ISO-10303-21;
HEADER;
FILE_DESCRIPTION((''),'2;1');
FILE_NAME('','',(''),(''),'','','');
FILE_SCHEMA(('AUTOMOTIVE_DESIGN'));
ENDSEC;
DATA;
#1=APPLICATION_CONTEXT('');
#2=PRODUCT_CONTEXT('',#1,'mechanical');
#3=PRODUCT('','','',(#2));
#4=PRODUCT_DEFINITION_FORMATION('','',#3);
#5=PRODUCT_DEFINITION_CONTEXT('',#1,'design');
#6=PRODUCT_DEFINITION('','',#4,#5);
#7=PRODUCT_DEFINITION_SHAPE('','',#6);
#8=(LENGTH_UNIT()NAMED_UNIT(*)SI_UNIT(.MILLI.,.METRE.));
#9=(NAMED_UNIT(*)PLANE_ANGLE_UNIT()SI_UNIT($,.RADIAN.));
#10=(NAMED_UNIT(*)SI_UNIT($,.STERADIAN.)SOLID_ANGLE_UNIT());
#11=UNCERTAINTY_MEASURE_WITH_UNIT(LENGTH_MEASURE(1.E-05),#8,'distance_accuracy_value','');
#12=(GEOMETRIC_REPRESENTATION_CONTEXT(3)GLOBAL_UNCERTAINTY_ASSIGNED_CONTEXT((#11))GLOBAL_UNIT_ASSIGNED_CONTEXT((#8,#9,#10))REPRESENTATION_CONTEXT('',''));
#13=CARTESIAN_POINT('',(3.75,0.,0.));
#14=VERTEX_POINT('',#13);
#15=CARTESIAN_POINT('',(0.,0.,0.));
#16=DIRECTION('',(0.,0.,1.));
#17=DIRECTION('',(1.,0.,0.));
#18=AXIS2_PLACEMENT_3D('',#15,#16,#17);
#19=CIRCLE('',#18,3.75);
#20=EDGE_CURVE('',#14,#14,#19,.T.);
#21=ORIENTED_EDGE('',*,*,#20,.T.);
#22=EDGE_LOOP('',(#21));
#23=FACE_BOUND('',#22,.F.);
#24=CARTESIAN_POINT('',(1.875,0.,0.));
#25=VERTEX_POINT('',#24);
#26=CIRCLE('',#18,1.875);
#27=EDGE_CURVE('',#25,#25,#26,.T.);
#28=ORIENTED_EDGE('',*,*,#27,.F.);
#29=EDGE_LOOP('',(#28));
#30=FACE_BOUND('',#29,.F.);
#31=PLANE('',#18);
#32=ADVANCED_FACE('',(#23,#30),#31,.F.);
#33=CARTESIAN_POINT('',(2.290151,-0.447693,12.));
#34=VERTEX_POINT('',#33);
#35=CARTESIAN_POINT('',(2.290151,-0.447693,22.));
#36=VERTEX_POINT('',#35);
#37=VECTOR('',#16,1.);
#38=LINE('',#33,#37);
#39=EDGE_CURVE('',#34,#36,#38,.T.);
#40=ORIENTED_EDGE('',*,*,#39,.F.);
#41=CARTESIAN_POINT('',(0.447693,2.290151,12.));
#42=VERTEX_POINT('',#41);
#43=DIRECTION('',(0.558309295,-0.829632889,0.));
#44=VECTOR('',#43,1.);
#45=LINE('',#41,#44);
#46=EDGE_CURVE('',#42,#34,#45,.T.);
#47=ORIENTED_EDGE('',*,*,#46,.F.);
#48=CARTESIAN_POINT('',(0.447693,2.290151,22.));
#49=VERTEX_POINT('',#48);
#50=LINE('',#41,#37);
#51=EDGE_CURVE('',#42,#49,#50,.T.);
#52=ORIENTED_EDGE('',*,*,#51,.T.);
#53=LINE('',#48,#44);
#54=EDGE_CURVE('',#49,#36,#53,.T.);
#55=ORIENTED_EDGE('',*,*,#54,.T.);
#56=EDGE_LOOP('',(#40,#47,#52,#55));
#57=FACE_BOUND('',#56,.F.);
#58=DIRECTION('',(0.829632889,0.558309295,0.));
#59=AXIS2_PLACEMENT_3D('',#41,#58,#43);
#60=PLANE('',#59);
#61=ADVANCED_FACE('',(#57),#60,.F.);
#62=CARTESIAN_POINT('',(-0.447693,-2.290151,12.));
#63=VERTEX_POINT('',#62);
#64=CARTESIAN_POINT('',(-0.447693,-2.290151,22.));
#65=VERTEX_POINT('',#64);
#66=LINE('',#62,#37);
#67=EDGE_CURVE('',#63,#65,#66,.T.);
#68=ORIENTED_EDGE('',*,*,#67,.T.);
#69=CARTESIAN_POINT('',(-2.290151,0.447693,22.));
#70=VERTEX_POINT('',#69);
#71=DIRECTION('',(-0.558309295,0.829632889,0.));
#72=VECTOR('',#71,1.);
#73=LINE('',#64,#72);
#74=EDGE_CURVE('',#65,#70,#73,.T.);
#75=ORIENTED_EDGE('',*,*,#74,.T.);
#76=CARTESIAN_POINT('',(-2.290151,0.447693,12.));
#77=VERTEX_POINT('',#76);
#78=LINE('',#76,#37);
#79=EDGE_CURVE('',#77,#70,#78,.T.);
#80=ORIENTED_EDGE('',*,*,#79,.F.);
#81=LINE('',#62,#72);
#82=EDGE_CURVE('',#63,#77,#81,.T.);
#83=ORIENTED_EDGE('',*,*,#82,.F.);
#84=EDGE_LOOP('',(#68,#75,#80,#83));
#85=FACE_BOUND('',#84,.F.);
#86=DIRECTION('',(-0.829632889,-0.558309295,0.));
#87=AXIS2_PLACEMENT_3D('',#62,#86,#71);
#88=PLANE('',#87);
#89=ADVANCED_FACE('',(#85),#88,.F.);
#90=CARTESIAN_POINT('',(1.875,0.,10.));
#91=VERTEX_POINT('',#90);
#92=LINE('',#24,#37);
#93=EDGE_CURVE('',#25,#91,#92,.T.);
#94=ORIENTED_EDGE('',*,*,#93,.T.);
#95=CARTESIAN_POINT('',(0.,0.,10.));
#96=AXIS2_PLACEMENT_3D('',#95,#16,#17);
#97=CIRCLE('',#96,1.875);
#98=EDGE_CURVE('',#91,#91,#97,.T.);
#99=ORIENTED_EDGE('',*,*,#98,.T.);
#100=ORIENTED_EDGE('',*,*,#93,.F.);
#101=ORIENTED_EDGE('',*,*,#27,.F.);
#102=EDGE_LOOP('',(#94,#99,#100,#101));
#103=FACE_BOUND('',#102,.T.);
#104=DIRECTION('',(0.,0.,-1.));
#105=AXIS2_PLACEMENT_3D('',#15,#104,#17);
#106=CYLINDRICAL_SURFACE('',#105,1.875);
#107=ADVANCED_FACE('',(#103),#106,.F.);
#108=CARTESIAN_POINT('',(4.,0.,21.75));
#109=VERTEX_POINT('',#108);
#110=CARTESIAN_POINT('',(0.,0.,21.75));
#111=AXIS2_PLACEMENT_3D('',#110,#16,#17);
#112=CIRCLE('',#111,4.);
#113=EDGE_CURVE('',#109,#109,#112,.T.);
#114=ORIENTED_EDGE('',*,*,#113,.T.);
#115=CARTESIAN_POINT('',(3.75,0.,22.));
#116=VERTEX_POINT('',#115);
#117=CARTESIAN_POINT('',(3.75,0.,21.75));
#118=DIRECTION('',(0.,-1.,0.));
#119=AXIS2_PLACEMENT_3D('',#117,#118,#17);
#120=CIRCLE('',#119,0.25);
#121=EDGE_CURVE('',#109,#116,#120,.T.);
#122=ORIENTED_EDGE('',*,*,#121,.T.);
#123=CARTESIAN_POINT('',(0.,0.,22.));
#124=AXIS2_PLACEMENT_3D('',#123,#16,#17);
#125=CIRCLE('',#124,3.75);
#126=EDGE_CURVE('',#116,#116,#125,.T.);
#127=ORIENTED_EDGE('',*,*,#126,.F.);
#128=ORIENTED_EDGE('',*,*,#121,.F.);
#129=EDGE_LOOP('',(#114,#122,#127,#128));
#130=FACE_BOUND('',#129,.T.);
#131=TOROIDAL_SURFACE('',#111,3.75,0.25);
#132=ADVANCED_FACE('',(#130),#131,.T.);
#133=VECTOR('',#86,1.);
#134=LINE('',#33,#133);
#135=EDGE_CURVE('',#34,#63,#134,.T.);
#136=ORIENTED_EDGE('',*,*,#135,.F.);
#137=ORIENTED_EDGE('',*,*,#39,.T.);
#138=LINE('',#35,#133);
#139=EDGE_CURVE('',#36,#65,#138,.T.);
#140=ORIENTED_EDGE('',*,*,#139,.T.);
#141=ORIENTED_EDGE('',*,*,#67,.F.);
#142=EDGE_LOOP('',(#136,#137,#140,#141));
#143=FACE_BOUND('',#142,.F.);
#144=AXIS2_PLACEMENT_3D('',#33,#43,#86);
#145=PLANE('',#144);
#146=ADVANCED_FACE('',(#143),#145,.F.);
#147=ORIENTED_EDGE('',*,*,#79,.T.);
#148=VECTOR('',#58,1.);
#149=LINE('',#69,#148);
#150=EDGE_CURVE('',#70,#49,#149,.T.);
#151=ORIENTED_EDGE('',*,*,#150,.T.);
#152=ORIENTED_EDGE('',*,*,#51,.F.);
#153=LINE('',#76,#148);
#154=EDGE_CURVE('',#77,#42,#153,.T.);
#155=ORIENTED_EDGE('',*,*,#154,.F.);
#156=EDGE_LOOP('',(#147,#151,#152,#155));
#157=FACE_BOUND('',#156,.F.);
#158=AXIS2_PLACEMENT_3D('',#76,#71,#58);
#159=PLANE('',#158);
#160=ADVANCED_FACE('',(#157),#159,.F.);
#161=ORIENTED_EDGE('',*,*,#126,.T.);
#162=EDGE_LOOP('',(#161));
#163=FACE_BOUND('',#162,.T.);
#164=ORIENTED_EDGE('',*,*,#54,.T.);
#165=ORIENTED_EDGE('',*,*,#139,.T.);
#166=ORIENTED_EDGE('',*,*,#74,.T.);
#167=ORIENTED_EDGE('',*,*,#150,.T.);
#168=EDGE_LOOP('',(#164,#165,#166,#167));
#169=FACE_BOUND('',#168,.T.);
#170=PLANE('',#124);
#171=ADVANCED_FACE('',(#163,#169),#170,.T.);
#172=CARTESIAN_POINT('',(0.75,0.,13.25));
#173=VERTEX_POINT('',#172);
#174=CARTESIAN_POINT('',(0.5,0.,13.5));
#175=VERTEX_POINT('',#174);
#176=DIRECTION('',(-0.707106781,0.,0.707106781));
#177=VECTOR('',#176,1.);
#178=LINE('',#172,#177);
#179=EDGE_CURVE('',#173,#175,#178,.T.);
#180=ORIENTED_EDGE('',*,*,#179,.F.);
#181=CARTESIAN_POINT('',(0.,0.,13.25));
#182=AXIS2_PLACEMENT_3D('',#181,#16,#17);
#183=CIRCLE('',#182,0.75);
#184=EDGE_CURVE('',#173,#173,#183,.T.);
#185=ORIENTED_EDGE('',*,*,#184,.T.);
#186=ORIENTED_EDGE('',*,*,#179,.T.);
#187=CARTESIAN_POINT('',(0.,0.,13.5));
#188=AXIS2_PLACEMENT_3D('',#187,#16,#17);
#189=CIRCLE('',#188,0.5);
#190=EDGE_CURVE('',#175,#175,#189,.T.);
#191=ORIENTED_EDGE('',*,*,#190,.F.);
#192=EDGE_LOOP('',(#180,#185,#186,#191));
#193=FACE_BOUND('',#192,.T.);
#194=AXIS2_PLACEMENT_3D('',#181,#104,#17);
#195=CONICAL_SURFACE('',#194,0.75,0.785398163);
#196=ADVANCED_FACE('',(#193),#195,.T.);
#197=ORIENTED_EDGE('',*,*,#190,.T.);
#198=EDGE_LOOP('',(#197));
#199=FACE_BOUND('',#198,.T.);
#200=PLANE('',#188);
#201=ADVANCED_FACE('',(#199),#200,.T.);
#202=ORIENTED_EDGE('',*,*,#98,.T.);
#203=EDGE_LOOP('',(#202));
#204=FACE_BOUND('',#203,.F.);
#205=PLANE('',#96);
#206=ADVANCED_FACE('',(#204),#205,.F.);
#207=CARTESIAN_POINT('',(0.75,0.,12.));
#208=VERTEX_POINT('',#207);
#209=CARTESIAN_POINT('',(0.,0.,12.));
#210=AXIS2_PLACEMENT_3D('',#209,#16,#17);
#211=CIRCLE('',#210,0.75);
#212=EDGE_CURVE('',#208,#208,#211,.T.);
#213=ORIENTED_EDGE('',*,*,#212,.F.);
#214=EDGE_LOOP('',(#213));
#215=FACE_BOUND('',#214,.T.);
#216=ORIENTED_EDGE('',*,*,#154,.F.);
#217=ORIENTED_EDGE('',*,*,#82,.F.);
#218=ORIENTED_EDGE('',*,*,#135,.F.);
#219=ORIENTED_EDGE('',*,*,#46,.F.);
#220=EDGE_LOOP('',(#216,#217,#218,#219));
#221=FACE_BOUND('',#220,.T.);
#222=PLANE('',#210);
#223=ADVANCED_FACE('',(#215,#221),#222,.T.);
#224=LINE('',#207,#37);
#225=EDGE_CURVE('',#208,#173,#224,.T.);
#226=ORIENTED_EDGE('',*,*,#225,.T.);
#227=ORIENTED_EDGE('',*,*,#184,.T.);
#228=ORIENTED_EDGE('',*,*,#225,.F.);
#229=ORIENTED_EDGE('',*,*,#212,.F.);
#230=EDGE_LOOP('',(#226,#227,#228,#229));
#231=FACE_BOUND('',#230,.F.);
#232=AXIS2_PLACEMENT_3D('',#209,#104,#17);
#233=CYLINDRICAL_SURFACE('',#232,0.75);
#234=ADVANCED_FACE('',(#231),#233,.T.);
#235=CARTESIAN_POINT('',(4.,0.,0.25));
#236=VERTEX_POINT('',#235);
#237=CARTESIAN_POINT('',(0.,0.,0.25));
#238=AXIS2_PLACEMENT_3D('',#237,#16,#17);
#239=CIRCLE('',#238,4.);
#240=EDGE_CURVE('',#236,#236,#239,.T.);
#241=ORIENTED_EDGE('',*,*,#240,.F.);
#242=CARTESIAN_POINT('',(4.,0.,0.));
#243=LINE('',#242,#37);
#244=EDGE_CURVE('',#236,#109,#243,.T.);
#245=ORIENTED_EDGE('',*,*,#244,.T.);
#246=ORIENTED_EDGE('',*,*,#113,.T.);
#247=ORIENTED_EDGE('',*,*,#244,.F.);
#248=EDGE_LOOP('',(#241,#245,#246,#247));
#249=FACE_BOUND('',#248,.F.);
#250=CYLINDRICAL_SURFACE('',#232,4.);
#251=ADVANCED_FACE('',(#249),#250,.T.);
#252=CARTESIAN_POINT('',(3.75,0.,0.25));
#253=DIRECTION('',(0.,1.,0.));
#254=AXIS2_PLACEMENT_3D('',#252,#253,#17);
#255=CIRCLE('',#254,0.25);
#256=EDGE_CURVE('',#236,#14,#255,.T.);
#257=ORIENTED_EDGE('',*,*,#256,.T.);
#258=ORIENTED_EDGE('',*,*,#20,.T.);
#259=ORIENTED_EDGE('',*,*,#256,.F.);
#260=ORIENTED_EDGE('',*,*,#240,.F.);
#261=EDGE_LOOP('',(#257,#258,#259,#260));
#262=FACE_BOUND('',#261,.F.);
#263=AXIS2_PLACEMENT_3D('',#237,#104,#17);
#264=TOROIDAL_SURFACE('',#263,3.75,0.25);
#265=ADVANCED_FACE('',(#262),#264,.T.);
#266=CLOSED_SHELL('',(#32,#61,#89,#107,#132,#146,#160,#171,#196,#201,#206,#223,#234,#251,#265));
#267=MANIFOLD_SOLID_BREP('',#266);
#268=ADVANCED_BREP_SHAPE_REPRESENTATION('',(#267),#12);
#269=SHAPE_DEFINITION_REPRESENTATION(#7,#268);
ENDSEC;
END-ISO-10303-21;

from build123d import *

# Parameters (mm, degrees)
F0_R     = 4
F0_R_2   = 1.875
F1_DEPTH = 10
F2_R     = 4
F3_DEPTH = 2
F4_R     = 0.75
F5_DEPTH = 1.5
F6_SIZE  = 0.25
F7_R     = 4
F8_DEPTH = 10
F9_R     = 0.25
F10_R    = 0.25


with BuildPart() as f1:
    # F0 (on Top) → F1 (new body)
    with BuildSketch(Plane.XY):
        Circle(F0_R)
        Circle(F0_R_2, mode=Mode.SUBTRACT)
    extrude(amount=F1_DEPTH)

    # F2 (on face) → F3 (join)
    with BuildSketch(Plane.XY.offset(10)):
        Circle(F2_R)
    extrude(amount=F3_DEPTH)

    # F4 (on face) → F5 (join)
    with BuildSketch(Plane.XY.offset(12)):
        Circle(F4_R)
    extrude(amount=F5_DEPTH)

    # F6
    f6_edges = [f1.edges().sort_by_distance(p)[0] for p in [
        (-0.75, 0, 13.5),
    ]]
    chamfer(f6_edges, length=F6_SIZE)

    # F7 (on face) → F8 (join)
    with BuildSketch(Plane.XY.offset(12)):
        Circle(F7_R)
        Polygon((-0.447693, -2.290151), (-2.290151, 0.447693), (0.447693, 2.290151), (2.290151, -0.447693), align=None, mode=Mode.SUBTRACT)
    extrude(amount=F8_DEPTH)

    # F9
    f9_edges = [f1.edges().sort_by_distance(p)[0] for p in [
        (-4, 0, 22),
    ]]
    fillet(f9_edges, radius=F9_R)

    # F10
    f10_edges = [f1.edges().sort_by_distance(p)[0] for p in [
        (-4, 0, 0),
    ]]
    fillet(f10_edges, radius=F10_R)


solid = f1.part
